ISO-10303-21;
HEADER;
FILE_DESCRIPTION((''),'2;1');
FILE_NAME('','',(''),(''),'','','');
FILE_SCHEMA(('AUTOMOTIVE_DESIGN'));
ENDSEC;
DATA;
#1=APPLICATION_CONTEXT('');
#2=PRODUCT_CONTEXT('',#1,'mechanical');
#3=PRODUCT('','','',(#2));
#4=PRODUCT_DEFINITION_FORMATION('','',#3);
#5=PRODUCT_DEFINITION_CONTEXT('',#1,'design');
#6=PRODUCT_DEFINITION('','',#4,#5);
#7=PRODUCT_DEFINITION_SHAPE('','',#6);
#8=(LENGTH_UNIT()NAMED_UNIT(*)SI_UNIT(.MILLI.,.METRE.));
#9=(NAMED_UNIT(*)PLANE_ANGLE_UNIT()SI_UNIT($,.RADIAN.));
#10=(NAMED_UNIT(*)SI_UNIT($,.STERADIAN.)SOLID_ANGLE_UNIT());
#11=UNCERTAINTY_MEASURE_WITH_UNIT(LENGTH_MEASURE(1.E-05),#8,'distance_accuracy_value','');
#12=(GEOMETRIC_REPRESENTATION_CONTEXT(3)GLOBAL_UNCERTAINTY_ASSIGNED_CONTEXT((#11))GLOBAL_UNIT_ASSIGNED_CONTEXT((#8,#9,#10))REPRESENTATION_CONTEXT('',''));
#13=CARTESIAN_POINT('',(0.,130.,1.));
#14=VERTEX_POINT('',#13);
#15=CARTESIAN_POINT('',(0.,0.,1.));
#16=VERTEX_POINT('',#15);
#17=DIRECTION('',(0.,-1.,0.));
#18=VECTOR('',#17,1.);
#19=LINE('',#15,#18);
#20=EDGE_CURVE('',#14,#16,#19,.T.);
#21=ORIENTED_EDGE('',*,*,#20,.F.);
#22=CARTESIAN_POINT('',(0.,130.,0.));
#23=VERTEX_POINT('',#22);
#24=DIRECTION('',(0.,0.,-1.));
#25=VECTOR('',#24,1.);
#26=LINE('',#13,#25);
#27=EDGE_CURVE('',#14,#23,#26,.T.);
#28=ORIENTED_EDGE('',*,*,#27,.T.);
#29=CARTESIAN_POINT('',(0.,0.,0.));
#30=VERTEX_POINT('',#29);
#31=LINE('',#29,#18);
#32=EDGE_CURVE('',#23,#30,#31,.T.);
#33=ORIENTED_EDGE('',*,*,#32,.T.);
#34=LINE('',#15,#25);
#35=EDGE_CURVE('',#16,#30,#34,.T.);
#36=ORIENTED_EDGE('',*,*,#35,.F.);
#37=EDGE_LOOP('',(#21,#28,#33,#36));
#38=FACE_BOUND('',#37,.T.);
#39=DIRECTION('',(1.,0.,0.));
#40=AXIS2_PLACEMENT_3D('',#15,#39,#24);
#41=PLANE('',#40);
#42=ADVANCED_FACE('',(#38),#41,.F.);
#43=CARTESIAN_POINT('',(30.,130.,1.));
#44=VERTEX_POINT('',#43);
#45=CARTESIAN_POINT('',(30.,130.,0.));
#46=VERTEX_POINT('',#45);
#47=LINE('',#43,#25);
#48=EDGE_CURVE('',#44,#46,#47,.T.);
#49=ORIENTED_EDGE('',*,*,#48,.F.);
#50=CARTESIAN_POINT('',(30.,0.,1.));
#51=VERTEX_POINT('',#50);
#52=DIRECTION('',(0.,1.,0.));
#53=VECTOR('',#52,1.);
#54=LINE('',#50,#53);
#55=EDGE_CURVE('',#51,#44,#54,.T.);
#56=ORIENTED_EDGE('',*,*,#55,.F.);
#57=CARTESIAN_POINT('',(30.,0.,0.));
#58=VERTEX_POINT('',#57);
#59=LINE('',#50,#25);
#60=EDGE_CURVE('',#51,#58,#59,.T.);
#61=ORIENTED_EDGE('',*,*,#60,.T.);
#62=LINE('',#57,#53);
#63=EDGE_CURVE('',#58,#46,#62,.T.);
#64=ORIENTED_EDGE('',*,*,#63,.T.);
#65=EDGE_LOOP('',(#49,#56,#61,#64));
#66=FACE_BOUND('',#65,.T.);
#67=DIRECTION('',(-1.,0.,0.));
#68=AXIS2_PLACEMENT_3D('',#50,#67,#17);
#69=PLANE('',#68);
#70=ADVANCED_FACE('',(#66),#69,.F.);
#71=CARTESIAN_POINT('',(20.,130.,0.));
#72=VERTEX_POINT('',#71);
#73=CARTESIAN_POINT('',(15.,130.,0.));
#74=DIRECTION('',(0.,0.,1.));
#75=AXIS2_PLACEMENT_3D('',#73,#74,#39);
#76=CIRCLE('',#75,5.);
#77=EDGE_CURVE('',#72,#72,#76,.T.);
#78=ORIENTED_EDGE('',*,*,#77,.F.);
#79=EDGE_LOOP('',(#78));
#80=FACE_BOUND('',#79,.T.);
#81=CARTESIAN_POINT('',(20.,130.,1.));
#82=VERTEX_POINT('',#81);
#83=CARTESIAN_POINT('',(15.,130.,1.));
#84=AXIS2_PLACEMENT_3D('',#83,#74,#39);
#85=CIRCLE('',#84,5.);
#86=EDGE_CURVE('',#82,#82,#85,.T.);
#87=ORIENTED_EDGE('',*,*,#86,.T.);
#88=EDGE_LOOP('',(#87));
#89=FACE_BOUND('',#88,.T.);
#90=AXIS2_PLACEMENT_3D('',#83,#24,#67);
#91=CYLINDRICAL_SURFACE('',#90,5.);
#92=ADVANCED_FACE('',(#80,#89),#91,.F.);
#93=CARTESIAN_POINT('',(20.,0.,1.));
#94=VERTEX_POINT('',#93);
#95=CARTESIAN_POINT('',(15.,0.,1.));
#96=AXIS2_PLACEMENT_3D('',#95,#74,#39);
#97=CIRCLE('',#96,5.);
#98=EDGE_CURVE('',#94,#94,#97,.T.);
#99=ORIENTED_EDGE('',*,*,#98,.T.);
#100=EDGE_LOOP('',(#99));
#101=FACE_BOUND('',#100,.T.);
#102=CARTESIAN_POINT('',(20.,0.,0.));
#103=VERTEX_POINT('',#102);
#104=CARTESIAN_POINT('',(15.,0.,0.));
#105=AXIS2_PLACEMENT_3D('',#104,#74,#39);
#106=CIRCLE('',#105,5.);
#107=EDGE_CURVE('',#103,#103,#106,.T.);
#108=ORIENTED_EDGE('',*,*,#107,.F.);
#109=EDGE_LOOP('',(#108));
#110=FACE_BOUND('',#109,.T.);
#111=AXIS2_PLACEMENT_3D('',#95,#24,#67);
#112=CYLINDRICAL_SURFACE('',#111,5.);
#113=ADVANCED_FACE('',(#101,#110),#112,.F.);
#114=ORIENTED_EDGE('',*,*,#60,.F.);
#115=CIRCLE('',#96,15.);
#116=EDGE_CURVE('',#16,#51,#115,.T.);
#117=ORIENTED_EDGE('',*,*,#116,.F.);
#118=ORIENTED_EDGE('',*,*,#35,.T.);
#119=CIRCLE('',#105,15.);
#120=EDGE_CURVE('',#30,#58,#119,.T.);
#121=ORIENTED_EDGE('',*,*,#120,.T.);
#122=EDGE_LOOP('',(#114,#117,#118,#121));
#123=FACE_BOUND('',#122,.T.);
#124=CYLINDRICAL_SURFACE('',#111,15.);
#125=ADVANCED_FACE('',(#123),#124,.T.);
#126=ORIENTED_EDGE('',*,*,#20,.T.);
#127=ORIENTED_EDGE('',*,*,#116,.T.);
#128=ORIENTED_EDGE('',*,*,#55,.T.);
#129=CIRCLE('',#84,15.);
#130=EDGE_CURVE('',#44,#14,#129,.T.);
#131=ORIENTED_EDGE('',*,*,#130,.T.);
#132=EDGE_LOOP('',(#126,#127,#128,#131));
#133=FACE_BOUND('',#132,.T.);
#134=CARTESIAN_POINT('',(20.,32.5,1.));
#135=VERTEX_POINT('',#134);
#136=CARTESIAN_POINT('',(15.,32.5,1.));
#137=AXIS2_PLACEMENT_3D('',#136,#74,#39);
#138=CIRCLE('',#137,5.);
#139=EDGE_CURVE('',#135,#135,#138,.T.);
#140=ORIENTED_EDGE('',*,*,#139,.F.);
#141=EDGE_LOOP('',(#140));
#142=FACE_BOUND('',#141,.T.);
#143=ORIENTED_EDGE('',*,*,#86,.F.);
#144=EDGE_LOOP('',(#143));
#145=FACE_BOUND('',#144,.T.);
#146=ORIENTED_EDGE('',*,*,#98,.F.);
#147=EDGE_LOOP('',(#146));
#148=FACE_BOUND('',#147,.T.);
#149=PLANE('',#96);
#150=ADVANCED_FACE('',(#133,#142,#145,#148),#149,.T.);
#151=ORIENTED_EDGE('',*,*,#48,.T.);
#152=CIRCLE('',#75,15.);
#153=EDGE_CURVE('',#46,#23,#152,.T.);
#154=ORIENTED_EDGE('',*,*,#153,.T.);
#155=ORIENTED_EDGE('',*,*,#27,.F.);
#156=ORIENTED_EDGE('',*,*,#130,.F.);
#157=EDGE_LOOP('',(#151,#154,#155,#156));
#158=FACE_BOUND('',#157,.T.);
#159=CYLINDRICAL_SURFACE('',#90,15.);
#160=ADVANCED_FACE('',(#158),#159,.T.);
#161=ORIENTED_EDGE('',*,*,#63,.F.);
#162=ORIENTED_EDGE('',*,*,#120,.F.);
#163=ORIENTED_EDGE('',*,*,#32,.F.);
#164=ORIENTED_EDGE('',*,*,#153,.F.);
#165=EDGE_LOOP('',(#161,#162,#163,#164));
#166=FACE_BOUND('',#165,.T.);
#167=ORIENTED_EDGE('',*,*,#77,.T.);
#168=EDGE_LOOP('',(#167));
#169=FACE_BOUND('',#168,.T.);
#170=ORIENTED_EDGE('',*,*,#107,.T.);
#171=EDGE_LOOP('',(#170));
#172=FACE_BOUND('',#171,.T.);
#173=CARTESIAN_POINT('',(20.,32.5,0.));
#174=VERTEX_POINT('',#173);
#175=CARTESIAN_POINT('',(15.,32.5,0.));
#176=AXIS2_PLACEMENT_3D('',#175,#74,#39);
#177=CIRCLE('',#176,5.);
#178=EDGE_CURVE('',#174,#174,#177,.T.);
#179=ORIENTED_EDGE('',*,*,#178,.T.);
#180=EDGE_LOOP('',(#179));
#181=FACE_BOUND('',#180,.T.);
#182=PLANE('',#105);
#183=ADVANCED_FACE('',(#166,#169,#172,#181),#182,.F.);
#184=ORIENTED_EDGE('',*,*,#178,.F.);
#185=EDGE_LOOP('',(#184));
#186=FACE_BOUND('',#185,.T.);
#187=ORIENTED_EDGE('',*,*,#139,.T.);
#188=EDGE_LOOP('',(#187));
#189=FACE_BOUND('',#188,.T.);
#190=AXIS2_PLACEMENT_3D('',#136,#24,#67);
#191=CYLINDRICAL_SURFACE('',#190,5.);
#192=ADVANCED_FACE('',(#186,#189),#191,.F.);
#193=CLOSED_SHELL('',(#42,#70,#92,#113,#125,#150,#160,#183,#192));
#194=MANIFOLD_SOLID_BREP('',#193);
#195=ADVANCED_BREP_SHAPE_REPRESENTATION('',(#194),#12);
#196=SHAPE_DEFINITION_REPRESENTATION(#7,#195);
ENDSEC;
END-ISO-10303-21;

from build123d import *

# Parameters (mm, degrees)
SKETCH_1_R      = 5
EXTRUDE_1_DEPTH = 1


with BuildPart() as part:
    # Эскиз1 → Бобышка-Вытянуть1 (new body)
    with BuildSketch(Plane.XY):
        with BuildLine():
            Line((0, 0), (0, 130))
            ThreePointArc((0, 130), (15, 145), (30, 130))
            Line((30, 130), (30, 0))
            ThreePointArc((30, 0), (15, -15), (0, 0))
        make_face()
        with Locations((15, 130)):
            Circle(SKETCH_1_R, mode=Mode.SUBTRACT)
        with Locations((15, 0)):
            Circle(SKETCH_1_R, mode=Mode.SUBTRACT)
        with Locations((15, 32.5)):
            Circle(SKETCH_1_R, mode=Mode.SUBTRACT)
    extrude(amount=EXTRUDE_1_DEPTH)


solid = part.part
